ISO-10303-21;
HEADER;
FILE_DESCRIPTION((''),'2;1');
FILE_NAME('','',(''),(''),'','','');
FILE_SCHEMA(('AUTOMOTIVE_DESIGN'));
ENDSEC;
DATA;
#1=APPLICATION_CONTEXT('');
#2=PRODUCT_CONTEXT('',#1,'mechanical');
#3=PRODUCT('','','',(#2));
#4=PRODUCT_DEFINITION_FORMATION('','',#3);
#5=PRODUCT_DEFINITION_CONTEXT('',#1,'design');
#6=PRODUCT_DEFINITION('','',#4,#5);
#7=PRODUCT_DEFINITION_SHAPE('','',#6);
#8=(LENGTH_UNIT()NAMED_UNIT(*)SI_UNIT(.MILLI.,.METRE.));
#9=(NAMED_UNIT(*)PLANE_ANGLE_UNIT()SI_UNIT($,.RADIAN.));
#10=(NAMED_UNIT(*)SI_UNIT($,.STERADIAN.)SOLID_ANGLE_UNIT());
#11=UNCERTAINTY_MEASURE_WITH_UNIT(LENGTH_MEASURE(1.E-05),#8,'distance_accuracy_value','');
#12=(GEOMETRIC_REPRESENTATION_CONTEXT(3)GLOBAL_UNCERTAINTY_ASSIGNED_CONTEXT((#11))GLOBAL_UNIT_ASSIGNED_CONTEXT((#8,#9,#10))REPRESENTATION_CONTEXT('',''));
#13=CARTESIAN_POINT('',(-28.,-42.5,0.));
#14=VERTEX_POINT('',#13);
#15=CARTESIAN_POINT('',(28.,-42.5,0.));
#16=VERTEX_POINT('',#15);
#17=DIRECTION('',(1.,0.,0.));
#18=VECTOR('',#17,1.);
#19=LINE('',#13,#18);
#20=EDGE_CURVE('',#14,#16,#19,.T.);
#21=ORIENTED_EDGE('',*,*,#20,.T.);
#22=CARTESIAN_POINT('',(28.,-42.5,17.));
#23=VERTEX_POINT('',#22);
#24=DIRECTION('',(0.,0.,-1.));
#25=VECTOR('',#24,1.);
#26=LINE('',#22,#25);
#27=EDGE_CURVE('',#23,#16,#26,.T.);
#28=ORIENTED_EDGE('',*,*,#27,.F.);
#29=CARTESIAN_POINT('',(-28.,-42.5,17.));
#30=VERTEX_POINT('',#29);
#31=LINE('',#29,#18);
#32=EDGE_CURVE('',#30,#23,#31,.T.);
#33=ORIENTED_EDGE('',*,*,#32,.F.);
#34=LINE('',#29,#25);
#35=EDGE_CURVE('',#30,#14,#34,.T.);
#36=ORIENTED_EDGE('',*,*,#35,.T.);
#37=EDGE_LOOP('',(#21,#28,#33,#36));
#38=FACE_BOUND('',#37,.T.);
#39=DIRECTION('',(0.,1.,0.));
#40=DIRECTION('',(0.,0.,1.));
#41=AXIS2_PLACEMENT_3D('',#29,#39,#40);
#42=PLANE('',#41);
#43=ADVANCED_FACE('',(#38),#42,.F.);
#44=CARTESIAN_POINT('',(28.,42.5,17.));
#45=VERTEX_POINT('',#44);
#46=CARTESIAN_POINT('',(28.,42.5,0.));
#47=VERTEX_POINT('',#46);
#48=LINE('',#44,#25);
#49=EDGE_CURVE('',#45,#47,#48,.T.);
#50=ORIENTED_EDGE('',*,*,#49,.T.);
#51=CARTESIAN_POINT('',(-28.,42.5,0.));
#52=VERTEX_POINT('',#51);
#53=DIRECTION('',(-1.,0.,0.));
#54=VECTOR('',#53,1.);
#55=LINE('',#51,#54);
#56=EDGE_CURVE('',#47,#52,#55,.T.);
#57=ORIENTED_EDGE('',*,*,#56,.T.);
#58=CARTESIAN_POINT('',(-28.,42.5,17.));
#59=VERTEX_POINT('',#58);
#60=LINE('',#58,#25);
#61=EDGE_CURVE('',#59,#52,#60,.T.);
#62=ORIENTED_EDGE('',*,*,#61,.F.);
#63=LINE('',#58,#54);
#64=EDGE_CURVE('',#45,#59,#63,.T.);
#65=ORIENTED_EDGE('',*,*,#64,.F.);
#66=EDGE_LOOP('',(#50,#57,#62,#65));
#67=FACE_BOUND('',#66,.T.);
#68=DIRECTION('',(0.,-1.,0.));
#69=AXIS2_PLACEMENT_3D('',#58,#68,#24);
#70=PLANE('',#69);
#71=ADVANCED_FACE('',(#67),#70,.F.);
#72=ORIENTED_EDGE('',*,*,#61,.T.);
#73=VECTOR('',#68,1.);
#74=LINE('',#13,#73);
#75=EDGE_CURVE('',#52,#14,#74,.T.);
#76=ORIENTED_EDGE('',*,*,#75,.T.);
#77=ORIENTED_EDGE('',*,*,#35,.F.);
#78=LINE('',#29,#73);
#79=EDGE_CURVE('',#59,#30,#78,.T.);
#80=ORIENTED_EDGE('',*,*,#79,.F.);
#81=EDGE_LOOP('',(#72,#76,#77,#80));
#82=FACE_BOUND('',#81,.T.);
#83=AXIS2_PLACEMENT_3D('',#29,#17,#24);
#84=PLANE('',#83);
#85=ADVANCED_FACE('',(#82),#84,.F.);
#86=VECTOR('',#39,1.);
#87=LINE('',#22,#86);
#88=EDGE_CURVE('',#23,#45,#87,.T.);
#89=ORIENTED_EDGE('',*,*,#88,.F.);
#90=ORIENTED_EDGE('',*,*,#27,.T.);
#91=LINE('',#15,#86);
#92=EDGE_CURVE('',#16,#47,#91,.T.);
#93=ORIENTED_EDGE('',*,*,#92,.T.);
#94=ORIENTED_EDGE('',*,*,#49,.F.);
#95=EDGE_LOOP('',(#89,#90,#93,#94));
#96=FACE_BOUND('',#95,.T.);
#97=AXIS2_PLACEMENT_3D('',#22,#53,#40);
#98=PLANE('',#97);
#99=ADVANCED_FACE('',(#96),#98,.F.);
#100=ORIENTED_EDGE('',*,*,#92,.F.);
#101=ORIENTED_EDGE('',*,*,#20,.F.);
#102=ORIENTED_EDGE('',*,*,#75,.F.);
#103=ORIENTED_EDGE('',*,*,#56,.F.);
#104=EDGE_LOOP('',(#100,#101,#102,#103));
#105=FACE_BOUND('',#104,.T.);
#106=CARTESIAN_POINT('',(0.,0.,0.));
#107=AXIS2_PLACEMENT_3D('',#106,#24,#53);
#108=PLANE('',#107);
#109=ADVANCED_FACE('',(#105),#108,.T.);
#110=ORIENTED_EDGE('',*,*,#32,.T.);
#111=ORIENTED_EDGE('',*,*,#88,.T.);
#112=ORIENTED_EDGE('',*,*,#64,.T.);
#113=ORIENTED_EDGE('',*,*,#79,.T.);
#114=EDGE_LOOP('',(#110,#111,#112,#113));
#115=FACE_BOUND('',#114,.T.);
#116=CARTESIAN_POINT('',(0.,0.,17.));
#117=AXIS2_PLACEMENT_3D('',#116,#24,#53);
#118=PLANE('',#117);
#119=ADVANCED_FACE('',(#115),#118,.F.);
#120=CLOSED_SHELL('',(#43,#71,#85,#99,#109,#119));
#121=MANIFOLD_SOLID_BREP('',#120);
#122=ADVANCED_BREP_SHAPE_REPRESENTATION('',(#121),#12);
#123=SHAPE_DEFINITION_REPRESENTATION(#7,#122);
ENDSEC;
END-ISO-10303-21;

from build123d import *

# Parameters (mm, degrees)
SKETCH1_W           = 56
SKETCH1_H           = 85
BOSS_EXTRUDE1_DEPTH = 17


with BuildPart() as part:
    # Sketch1 → Boss-Extrude1 (new body)
    with BuildSketch(Plane.XY):
        Rectangle(SKETCH1_W, SKETCH1_H)
    extrude(amount=BOSS_EXTRUDE1_DEPTH)


solid = part.part
